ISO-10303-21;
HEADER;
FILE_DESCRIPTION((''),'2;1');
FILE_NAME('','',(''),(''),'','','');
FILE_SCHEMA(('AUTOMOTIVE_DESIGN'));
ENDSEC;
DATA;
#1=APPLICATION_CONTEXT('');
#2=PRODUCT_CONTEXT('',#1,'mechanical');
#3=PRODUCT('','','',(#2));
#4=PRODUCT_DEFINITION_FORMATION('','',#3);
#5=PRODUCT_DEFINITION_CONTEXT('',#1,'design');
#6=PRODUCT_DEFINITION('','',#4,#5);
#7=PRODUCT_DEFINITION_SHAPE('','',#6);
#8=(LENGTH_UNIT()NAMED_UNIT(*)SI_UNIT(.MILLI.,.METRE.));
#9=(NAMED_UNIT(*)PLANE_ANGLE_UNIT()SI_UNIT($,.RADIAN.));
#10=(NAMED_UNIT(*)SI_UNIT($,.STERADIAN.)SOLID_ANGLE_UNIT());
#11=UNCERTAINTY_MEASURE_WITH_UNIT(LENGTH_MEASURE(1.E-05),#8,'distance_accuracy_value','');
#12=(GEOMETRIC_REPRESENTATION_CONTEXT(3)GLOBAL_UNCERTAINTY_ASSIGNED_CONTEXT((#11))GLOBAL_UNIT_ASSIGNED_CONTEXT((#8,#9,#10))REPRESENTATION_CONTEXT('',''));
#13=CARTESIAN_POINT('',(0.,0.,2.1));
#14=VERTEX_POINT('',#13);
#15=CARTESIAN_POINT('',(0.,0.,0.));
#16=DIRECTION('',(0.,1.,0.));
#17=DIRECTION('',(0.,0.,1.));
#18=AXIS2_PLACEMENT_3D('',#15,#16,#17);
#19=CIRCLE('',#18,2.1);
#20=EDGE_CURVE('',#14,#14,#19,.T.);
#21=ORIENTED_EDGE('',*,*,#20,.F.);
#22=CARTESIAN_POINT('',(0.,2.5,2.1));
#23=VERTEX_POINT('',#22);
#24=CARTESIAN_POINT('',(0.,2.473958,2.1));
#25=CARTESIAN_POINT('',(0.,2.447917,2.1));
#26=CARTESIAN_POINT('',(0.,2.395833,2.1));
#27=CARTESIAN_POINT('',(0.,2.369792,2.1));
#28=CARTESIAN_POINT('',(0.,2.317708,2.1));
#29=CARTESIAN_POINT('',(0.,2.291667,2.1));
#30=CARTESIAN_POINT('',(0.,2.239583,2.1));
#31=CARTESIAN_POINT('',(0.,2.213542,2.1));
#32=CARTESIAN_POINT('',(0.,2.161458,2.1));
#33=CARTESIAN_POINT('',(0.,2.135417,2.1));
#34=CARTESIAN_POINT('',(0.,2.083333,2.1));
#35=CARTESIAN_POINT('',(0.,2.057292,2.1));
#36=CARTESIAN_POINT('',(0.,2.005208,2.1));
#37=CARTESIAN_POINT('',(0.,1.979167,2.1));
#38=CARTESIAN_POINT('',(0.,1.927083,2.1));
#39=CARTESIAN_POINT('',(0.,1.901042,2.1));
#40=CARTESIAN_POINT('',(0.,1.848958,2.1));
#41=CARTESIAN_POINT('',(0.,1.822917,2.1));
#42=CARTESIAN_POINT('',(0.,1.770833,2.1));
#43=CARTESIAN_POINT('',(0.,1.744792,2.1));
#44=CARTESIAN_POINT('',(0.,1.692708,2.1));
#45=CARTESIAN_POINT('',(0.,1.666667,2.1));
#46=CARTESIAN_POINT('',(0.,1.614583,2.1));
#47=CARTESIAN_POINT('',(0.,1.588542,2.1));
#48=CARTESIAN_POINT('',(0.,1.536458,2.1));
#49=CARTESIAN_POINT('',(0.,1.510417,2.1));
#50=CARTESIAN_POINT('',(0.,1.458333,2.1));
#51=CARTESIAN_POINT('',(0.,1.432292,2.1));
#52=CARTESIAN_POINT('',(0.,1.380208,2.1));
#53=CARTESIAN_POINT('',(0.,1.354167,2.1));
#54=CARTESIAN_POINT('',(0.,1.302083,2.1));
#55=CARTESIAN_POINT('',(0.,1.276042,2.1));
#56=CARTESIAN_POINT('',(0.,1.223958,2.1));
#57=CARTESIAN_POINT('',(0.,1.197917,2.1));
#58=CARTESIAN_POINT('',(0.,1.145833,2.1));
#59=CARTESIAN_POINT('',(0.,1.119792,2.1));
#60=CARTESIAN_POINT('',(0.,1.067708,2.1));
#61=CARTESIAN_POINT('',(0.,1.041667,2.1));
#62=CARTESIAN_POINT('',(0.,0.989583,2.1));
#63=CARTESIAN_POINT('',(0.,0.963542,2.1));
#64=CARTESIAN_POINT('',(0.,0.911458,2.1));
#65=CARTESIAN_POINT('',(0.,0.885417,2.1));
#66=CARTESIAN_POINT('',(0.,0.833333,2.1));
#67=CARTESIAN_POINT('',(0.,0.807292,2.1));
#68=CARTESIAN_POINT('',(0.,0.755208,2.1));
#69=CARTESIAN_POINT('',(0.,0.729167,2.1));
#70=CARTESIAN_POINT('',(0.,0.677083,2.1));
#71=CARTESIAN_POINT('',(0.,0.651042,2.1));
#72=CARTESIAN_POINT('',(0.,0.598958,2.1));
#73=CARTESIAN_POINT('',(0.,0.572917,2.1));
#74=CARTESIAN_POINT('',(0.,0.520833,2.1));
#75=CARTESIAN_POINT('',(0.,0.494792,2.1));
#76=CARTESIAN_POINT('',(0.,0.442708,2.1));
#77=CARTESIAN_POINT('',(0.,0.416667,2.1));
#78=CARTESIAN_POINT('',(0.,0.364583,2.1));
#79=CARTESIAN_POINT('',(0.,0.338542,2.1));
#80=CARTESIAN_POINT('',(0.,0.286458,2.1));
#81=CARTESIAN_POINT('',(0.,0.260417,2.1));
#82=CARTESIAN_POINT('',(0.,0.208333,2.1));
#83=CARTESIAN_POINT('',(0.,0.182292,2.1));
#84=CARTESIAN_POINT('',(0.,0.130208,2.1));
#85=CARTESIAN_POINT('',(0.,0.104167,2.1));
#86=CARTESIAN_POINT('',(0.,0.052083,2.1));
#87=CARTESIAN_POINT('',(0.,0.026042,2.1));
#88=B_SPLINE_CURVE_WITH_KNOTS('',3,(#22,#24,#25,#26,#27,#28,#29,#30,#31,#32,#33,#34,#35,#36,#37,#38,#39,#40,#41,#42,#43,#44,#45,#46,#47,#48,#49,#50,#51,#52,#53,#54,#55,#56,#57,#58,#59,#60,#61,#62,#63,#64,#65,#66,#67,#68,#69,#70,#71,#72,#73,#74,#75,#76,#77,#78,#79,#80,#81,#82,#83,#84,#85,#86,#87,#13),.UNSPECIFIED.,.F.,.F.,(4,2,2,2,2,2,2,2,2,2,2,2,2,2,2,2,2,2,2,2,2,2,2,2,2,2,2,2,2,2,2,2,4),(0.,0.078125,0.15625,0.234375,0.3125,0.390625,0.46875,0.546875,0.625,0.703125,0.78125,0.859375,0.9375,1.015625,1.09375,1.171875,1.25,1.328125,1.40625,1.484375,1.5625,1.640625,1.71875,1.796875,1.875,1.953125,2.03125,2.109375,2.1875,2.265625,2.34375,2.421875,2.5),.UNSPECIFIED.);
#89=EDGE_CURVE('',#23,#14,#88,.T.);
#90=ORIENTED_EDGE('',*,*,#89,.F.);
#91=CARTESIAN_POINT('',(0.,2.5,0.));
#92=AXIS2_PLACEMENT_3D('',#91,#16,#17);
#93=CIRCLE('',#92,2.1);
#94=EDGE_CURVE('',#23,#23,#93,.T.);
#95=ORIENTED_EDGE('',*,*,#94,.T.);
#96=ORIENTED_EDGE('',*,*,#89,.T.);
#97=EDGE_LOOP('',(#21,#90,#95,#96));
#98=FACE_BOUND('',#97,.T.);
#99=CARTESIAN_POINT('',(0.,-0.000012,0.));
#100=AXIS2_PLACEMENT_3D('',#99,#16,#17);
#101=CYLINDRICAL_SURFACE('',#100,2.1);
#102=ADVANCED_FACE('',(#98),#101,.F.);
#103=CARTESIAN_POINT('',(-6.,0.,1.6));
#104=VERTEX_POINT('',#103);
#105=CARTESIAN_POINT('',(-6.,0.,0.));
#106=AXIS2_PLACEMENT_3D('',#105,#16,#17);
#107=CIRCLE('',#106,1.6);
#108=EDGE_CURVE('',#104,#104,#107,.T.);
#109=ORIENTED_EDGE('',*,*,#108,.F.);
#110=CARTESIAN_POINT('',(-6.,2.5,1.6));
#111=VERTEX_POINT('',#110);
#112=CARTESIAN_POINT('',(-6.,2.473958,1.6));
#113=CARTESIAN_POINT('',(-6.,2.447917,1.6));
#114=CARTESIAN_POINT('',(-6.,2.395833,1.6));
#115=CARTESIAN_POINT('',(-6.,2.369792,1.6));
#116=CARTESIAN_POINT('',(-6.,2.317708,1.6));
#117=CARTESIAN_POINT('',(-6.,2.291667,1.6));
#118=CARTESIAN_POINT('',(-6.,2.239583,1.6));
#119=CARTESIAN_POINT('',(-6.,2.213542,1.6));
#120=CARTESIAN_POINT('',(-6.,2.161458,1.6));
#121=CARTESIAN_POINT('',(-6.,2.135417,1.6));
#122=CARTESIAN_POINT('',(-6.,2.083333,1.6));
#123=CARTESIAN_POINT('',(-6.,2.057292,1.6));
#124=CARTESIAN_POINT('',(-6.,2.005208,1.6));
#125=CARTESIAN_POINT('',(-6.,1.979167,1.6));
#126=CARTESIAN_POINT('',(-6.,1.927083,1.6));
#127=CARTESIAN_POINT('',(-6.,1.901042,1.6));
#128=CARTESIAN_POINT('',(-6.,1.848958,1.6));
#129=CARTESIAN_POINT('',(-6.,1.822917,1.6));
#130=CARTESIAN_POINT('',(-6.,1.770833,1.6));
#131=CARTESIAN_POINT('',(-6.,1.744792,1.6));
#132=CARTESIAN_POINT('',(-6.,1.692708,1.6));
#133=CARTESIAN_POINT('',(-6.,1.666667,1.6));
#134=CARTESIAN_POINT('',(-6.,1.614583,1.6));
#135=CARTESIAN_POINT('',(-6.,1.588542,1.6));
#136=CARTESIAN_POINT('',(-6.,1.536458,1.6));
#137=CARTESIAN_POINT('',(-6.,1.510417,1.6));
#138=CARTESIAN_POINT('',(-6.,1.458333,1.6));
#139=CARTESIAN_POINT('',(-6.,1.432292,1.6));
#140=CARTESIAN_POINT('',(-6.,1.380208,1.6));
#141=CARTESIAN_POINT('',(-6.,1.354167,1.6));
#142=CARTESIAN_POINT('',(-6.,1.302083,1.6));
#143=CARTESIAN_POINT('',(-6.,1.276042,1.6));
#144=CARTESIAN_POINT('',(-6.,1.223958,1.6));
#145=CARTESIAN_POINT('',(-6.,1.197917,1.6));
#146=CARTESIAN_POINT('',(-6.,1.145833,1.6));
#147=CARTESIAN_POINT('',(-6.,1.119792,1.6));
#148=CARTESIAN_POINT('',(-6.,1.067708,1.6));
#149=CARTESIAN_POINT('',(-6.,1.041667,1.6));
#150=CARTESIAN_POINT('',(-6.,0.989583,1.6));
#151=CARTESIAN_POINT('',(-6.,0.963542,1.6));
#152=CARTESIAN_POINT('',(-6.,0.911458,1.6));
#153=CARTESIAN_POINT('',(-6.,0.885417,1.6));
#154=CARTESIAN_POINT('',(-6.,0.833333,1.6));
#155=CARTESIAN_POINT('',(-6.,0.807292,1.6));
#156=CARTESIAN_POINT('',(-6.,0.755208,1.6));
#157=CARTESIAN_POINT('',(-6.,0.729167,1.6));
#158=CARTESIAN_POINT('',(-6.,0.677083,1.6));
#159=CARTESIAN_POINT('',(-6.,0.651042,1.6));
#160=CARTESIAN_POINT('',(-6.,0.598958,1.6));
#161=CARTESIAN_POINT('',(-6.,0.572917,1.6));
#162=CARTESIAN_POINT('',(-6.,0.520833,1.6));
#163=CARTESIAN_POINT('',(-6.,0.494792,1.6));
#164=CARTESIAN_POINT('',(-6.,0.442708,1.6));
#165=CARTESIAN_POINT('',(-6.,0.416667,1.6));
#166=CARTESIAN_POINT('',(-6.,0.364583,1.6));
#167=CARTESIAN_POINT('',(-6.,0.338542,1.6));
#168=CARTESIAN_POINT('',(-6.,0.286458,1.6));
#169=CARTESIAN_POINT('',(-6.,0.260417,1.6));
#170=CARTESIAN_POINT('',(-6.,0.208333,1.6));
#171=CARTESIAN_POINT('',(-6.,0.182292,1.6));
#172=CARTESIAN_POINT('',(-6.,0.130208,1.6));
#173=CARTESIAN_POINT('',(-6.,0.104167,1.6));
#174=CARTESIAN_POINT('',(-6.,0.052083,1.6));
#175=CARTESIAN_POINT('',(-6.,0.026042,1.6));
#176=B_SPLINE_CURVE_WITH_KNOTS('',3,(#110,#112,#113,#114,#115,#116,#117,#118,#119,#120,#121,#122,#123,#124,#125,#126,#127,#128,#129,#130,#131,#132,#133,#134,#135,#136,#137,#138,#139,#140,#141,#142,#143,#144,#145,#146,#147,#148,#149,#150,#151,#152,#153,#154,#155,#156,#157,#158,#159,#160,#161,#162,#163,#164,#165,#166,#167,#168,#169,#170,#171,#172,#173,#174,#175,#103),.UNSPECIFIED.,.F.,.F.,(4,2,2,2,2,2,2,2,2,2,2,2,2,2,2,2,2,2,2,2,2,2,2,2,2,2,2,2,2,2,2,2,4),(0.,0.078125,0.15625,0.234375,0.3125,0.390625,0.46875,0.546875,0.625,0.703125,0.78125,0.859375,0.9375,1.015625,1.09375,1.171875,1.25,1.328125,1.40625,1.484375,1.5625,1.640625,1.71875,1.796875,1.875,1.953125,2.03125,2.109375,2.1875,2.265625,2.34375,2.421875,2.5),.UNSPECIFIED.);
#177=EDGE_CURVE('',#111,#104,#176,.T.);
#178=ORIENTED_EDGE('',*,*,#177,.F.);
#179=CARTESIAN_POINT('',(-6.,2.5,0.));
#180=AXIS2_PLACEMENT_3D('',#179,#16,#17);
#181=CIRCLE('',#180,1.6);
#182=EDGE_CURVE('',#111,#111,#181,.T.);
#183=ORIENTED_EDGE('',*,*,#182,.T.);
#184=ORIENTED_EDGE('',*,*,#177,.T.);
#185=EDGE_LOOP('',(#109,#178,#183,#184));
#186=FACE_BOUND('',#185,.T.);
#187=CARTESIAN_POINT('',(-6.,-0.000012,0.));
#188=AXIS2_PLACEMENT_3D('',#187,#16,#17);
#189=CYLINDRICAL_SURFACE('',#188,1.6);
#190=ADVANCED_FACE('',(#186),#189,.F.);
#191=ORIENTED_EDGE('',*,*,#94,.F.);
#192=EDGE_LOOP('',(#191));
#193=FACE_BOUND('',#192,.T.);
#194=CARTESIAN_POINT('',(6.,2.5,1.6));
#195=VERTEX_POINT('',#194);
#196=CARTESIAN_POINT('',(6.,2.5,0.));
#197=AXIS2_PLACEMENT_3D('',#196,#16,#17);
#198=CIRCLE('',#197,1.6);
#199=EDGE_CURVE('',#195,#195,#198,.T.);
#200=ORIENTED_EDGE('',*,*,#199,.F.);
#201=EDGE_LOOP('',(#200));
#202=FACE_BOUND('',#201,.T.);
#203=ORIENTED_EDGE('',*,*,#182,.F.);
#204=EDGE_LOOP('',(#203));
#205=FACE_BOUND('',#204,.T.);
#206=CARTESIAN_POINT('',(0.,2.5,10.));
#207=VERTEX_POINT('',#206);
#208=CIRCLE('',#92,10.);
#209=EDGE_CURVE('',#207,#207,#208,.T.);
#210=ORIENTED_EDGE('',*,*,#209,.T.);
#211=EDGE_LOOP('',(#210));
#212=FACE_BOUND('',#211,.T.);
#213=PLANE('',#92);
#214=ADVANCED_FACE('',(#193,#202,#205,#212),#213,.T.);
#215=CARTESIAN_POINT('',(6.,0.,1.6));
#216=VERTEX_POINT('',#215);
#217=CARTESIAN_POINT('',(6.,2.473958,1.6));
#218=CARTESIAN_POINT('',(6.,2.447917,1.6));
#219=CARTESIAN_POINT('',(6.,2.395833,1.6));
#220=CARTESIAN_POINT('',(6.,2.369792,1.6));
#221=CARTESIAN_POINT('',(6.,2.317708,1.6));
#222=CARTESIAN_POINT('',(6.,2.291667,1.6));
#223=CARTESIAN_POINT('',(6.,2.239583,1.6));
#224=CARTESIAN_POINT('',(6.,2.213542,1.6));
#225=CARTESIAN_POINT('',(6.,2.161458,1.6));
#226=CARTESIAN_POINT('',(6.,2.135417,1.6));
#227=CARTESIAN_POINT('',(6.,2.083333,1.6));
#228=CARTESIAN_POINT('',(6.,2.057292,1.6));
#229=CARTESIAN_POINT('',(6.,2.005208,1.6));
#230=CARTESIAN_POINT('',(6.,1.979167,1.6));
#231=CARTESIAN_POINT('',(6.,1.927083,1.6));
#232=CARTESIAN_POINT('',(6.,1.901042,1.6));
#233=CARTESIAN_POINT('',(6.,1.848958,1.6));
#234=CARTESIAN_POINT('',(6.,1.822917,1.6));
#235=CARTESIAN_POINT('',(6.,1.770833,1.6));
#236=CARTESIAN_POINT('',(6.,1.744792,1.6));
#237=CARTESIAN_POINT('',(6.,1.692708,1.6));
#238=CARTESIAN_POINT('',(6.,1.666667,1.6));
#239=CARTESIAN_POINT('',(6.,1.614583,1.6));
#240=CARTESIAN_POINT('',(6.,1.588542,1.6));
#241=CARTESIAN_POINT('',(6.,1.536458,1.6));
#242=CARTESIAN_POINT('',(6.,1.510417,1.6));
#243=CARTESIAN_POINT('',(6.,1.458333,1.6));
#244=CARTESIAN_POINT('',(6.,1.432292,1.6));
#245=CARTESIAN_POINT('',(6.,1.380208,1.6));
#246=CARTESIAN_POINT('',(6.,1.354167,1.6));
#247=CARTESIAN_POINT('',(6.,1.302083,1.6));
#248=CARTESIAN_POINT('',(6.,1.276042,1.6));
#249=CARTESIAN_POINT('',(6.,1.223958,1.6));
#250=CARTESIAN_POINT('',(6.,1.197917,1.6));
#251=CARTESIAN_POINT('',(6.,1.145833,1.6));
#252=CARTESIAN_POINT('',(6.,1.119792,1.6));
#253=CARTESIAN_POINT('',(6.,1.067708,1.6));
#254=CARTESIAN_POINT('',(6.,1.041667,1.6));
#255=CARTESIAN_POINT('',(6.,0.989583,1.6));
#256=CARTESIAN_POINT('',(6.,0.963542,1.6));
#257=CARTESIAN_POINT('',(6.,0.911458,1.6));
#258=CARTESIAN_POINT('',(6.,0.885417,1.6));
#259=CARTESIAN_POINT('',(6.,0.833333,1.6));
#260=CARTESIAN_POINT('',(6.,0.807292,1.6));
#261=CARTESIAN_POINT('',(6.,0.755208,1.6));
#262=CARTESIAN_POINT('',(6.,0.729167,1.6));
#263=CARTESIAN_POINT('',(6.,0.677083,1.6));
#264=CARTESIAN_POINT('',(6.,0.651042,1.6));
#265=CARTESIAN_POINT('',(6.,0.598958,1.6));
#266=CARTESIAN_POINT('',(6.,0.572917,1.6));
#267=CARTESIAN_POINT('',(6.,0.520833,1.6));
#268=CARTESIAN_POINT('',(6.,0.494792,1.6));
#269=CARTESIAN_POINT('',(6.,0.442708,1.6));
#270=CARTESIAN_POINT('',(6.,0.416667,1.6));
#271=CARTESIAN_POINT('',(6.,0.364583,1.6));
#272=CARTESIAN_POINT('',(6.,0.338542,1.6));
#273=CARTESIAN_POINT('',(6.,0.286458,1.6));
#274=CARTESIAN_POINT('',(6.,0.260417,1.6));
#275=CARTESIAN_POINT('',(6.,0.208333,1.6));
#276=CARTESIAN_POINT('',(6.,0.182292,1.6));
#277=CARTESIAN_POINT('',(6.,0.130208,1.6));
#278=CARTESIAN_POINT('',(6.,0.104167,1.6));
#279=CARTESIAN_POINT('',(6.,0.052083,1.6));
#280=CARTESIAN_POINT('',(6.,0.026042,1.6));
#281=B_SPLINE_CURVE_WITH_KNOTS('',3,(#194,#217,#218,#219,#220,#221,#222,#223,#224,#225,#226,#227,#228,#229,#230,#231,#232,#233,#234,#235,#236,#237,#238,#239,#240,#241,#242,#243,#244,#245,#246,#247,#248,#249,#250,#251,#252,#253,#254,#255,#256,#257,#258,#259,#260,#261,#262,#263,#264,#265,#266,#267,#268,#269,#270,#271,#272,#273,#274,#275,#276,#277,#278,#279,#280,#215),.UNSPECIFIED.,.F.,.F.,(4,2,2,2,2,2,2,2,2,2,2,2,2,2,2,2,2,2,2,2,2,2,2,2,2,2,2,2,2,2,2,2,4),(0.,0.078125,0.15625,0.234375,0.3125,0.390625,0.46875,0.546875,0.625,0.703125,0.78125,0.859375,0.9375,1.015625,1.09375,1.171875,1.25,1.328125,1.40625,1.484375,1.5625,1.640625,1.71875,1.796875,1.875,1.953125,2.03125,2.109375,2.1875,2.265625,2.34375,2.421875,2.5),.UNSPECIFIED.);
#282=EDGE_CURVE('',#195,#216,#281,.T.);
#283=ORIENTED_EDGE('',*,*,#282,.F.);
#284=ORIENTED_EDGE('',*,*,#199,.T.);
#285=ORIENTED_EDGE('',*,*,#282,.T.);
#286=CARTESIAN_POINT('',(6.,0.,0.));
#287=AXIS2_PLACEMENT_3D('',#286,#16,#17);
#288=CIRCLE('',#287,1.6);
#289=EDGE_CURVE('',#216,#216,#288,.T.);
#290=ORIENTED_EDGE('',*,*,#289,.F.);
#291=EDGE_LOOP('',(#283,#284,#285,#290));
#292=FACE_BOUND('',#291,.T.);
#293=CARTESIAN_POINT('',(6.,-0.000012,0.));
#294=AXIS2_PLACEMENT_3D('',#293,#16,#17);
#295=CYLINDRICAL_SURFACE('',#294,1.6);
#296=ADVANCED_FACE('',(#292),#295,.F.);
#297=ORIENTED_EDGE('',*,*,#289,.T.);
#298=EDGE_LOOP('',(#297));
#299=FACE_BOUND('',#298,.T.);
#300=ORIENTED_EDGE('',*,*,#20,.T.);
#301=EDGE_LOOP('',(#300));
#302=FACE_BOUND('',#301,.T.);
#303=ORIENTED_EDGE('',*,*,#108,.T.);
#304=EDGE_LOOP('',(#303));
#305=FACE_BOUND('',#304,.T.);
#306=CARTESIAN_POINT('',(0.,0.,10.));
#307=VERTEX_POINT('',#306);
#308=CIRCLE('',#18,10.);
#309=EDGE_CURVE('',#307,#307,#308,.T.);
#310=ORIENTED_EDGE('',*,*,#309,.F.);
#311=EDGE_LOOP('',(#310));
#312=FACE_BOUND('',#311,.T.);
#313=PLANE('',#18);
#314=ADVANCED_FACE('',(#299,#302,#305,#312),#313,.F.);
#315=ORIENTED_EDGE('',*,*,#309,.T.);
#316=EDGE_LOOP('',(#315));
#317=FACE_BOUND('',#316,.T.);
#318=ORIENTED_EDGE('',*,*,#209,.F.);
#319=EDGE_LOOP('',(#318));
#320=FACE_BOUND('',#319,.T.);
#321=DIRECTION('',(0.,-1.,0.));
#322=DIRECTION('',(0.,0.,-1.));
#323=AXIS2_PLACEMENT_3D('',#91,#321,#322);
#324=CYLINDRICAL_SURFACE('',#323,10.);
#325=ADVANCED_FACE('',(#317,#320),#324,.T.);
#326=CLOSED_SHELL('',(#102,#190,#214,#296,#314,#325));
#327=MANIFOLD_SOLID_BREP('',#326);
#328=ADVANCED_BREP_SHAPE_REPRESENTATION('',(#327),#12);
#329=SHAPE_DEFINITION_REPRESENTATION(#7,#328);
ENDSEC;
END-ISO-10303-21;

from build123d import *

# Parameters (mm, degrees)
SKETCH1_R               = 10
BOSS_EXTRUDE1_DEPTH     = 2.5
CUT_EXTRUDE1_DEPTH      = 15.361406616
CUT_EXTRUDE1_DEPTH_BACK = 15.361406616
SKETCH2_R               = 2.1
SKETCH2_R_2             = 1.6


with BuildPart() as part:
    # Sketch1 → Boss-Extrude1 (new body)
    with BuildSketch(Plane(origin=(0, 0, 0), x_dir=(1, 0, 0), z_dir=(0, 1, 0))):
        with Locations(Location((0, 0, 0), (0, 0, 270))):
            Circle(SKETCH1_R)
    extrude(amount=BOSS_EXTRUDE1_DEPTH)

    # Sketch2 → Cut-Extrude1 (cut, two sides: drawn at the far end of the back side and taken through both)
    with BuildSketch(Plane(origin=(0, 0, 0), x_dir=(1, 0, 0), z_dir=(0, 1, 0)).offset(-CUT_EXTRUDE1_DEPTH_BACK)):
        with Locations(Location((0, 0, 0), (0, 0, 270))):
            Circle(SKETCH2_R)
        with Locations(Location((6, 0, 0), (0, 0, 270))):
            Circle(SKETCH2_R_2)
        with Locations(Location((-6, 0, 0), (0, 0, 270))):
            Circle(SKETCH2_R_2)
    extrude(amount=CUT_EXTRUDE1_DEPTH + CUT_EXTRUDE1_DEPTH_BACK, mode=Mode.SUBTRACT)


solid = part.part
